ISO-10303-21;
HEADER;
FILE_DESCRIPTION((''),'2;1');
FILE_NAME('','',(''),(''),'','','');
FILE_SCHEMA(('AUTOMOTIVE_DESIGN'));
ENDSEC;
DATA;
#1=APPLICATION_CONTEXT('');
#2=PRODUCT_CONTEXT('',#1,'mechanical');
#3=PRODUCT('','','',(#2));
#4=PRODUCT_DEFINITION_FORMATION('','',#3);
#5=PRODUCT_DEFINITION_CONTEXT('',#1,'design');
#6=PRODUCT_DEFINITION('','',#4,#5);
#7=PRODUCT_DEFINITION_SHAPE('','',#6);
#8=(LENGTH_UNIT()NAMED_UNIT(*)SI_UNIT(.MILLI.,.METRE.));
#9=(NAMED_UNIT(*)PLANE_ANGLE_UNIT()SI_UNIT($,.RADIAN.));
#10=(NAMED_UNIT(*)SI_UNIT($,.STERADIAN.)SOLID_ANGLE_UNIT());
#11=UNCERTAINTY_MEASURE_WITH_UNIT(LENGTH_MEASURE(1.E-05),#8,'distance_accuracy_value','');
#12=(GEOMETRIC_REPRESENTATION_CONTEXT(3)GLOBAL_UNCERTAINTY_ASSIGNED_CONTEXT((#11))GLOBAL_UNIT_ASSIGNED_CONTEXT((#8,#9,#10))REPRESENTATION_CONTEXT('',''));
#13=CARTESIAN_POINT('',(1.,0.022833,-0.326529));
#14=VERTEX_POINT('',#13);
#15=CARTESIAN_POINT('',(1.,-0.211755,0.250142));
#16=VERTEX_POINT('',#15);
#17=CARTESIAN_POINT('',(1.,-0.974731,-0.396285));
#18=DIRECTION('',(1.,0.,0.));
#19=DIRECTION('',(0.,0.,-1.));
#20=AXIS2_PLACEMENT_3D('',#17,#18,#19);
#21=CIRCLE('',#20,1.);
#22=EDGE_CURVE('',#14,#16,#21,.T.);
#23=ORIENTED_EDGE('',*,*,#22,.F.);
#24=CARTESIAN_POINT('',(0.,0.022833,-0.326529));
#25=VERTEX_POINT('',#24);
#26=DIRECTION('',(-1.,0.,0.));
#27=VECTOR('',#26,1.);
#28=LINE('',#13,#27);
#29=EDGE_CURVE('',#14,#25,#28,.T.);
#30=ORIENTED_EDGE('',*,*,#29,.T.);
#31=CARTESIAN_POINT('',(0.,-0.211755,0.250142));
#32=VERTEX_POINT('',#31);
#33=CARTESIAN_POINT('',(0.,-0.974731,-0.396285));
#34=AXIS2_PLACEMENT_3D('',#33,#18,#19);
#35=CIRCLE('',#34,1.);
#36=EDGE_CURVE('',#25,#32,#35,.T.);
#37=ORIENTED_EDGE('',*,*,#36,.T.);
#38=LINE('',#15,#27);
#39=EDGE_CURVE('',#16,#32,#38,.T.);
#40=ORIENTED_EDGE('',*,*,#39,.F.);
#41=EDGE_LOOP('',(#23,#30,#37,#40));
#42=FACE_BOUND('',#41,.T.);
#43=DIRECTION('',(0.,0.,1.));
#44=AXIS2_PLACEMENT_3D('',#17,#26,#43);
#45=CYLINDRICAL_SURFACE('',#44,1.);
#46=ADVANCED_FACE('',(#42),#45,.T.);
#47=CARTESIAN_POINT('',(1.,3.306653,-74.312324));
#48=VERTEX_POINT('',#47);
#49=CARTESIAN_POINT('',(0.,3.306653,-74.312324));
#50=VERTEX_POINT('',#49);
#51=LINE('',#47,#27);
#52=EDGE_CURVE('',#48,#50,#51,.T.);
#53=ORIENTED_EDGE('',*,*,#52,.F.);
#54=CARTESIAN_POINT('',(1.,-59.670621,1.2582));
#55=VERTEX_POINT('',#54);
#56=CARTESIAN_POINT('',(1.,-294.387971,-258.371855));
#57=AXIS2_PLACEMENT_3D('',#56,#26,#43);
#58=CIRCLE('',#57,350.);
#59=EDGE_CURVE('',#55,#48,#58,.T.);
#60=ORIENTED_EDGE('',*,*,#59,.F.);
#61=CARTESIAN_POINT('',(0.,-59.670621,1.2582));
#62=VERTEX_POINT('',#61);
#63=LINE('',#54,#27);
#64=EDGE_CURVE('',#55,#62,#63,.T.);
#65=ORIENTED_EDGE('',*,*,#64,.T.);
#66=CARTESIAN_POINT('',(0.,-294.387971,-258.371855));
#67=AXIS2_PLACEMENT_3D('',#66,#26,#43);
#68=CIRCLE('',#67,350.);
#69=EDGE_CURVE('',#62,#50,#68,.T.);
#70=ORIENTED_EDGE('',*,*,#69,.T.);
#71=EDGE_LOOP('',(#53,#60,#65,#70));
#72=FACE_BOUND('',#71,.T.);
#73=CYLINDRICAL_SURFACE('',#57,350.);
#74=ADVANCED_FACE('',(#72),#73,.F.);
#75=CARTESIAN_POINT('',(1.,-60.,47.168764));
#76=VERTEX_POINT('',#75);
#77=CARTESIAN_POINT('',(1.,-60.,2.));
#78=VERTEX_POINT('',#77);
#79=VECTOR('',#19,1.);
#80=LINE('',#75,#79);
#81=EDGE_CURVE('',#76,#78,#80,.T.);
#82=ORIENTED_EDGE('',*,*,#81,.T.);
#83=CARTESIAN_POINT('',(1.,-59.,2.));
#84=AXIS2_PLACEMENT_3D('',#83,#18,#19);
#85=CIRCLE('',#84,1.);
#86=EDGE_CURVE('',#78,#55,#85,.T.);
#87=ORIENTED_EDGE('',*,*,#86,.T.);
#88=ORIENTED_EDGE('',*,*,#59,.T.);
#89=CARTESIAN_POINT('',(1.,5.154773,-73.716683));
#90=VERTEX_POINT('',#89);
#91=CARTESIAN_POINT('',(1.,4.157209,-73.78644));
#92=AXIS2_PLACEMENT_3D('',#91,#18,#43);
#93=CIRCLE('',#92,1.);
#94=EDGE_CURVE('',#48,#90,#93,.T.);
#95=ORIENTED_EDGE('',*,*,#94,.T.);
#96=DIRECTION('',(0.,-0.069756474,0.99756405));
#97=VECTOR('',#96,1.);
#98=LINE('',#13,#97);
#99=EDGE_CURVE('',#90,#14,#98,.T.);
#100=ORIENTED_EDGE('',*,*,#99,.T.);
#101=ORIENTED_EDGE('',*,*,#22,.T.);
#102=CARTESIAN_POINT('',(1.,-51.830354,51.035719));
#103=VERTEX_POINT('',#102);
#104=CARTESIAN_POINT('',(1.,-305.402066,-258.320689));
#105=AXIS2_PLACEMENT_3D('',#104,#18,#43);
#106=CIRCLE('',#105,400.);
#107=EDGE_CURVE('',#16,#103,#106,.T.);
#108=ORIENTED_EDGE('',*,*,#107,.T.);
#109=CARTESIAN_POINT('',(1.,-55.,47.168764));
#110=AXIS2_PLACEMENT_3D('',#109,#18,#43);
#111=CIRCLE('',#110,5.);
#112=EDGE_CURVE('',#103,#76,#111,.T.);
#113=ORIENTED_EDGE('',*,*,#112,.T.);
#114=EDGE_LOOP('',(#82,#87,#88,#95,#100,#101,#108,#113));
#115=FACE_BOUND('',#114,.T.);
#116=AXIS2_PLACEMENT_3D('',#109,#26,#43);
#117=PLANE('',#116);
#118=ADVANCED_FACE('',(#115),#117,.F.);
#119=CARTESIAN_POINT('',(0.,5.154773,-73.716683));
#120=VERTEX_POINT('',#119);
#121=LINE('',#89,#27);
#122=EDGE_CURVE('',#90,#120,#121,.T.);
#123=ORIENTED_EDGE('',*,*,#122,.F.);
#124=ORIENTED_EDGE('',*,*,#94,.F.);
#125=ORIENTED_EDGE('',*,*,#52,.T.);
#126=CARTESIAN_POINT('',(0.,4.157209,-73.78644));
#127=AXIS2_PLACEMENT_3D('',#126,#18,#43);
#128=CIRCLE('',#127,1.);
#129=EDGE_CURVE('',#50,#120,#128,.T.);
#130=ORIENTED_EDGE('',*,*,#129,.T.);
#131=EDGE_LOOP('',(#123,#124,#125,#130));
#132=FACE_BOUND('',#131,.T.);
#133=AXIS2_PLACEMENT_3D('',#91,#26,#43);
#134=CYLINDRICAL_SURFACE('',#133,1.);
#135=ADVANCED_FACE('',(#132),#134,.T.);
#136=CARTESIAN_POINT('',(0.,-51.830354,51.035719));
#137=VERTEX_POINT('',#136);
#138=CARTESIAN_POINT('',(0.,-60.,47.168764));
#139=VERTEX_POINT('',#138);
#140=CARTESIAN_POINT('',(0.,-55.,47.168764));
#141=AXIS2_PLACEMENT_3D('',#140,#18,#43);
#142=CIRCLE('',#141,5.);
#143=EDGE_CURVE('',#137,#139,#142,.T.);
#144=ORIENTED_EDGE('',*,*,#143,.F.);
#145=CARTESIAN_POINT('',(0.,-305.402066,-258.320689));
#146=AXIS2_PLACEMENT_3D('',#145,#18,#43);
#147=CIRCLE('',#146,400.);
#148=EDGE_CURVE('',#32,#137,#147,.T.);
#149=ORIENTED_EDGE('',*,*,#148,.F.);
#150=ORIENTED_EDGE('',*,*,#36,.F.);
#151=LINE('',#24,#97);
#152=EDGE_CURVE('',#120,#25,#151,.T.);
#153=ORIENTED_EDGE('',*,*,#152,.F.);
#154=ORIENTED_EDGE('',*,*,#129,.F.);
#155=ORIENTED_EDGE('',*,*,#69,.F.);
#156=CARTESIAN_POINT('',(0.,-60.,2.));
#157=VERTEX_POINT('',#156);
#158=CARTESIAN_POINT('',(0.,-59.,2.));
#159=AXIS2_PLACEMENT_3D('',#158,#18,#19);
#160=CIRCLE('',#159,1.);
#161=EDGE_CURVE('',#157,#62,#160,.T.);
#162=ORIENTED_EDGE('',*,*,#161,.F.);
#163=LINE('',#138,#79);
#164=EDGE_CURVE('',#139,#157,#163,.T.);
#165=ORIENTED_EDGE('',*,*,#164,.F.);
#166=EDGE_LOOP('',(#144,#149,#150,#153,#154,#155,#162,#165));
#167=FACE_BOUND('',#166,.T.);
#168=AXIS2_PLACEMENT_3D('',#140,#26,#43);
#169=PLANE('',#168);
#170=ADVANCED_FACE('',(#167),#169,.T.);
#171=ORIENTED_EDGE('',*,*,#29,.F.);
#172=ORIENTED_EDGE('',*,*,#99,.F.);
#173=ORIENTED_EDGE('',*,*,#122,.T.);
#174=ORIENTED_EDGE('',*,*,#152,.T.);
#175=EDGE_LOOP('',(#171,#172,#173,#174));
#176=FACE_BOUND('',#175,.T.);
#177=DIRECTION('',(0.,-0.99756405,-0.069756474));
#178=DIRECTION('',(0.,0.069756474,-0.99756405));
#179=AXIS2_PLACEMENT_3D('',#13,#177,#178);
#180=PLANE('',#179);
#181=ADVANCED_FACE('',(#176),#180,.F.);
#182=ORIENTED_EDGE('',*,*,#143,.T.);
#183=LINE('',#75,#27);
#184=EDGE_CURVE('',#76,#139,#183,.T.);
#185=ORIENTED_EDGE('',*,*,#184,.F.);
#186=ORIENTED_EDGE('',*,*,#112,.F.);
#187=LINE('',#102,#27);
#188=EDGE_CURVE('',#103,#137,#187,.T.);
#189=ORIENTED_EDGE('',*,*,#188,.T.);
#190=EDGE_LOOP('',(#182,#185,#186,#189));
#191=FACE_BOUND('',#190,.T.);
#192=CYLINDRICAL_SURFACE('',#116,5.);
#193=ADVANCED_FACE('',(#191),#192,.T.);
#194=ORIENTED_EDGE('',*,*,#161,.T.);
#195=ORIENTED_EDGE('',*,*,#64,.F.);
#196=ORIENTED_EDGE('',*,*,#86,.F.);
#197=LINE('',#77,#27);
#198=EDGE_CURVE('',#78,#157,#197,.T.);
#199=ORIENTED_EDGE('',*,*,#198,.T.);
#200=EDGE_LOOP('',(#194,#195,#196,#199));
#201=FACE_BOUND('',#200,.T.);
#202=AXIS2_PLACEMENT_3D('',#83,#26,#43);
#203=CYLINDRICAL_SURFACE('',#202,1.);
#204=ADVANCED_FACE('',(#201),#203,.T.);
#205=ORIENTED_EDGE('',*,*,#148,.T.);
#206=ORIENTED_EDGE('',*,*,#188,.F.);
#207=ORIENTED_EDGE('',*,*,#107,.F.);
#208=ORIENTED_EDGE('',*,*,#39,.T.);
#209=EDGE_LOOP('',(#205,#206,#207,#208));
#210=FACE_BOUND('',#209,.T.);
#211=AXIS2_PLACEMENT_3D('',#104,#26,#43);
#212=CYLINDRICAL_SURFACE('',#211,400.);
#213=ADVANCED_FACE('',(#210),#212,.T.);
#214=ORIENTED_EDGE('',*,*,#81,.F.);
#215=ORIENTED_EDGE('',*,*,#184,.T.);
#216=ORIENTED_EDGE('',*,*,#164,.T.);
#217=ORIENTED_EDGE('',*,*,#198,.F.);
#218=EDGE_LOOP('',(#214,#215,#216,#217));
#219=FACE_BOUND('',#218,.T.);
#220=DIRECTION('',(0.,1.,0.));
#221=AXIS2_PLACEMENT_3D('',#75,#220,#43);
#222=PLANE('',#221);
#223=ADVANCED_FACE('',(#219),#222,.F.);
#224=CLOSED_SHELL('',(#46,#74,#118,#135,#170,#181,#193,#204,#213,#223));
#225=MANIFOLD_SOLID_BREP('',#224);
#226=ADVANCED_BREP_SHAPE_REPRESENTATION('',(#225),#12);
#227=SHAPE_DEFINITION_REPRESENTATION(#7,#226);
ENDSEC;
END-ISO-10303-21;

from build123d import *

# Parameters (mm, degrees)
BOSS_EXTRUDE1_DEPTH = 1


with BuildPart() as part:
    # Sketch1 → Boss-Extrude1 (new body)
    with BuildSketch(Plane(origin=(0, 0, 0), x_dir=(0, 0, -1), z_dir=(1, 0, 0))):
        with BuildLine():
            Line((0.326528995, 0.022833132), (73.71668331, 5.154772651))
            ThreePointArc((73.71668331, 5.154772651), (74.738227658, 4.463965576), (74.312324158, 3.306652533))
            ThreePointArc((74.312324158, 3.306652533), (34.303458398, -25.51373755), (-1.258199843, -59.670621001))
            ThreePointArc((-1.258199843, -59.670621001), (-1.594180459, -59.913953227), (-2, -60))
            Line((-2, -60), (-47.16876351, -60))
            ThreePointArc((-47.16876351, -60), (-51.688068324, -57.139131599), (-51.035718603, -51.8303536))
            ThreePointArc((-51.035718603, -51.8303536), (-26.813414366, -24.869459397), (-0.250141607, -0.211755142))
            ThreePointArc((-0.250141607, -0.211755142), (0.019473004, -0.048441349), (0.326528995, 0.022833132))
        make_face()
    extrude(amount=BOSS_EXTRUDE1_DEPTH)


solid = part.part
